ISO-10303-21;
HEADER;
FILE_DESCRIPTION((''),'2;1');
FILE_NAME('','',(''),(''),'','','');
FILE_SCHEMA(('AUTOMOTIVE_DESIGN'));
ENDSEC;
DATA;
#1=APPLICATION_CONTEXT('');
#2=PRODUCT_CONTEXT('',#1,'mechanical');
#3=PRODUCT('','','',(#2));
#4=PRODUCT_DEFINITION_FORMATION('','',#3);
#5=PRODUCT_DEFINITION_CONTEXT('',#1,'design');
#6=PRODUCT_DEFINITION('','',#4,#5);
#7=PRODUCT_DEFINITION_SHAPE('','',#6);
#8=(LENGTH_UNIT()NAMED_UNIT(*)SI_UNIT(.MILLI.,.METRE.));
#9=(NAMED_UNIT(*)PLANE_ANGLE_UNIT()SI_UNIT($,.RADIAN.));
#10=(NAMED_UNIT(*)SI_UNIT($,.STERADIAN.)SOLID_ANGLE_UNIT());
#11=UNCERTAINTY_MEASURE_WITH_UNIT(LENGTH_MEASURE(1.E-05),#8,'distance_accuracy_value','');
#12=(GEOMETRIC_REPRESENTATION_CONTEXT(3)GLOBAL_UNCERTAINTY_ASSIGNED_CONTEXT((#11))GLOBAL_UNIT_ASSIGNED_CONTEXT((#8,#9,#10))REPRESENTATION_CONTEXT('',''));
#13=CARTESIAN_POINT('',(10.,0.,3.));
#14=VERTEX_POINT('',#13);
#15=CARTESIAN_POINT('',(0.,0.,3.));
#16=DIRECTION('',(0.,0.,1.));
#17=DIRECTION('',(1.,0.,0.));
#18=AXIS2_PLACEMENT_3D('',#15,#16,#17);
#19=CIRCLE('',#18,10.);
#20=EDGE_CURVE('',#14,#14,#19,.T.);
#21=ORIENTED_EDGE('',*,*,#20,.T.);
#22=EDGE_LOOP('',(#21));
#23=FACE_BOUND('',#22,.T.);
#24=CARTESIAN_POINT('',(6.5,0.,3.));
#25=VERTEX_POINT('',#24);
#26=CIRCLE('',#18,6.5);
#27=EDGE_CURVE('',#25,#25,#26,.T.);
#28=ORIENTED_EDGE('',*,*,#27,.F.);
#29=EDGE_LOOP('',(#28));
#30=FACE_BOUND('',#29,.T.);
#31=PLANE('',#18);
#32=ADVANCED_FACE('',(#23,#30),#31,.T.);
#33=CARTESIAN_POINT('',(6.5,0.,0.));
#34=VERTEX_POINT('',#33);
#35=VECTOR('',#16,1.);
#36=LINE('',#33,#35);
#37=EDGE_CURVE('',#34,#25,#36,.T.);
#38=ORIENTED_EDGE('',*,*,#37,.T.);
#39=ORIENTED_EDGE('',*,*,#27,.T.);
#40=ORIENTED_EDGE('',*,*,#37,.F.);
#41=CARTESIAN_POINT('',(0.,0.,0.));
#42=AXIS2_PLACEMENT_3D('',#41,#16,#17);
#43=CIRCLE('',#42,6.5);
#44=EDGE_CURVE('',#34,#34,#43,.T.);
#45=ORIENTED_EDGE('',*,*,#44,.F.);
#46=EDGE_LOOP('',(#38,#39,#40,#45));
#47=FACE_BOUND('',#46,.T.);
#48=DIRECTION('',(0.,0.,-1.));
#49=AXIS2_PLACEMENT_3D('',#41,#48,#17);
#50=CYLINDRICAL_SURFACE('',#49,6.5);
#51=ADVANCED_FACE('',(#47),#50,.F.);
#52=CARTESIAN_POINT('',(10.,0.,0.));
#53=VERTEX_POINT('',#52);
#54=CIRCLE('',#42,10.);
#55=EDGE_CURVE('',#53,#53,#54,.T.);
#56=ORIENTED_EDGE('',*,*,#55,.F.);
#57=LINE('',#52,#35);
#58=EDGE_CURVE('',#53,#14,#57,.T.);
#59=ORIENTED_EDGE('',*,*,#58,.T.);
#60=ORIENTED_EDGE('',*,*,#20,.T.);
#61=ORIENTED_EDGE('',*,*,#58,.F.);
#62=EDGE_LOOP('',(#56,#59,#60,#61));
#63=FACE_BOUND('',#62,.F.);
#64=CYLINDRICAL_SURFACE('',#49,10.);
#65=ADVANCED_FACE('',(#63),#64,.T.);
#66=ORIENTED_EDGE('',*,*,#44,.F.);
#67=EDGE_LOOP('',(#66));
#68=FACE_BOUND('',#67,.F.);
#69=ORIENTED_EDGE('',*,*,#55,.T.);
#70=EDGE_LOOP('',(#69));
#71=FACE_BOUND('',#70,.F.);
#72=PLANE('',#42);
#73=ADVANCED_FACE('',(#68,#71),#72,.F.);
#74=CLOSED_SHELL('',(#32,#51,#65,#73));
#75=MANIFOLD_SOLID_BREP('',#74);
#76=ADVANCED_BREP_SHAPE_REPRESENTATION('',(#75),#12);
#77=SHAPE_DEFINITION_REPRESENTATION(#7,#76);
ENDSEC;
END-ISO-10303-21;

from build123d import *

# Parameters (mm, degrees)
SKETCH_1_R      = 10
SKETCH_1_R_2    = 6.5
EXTRUDE_1_DEPTH = 3


with BuildPart() as part:
    # 草图1 → 凸台-拉伸1 (new body)
    with BuildSketch(Plane.XY):
        Circle(SKETCH_1_R)
        Circle(SKETCH_1_R_2, mode=Mode.SUBTRACT)
    extrude(amount=EXTRUDE_1_DEPTH)


solid = part.part
